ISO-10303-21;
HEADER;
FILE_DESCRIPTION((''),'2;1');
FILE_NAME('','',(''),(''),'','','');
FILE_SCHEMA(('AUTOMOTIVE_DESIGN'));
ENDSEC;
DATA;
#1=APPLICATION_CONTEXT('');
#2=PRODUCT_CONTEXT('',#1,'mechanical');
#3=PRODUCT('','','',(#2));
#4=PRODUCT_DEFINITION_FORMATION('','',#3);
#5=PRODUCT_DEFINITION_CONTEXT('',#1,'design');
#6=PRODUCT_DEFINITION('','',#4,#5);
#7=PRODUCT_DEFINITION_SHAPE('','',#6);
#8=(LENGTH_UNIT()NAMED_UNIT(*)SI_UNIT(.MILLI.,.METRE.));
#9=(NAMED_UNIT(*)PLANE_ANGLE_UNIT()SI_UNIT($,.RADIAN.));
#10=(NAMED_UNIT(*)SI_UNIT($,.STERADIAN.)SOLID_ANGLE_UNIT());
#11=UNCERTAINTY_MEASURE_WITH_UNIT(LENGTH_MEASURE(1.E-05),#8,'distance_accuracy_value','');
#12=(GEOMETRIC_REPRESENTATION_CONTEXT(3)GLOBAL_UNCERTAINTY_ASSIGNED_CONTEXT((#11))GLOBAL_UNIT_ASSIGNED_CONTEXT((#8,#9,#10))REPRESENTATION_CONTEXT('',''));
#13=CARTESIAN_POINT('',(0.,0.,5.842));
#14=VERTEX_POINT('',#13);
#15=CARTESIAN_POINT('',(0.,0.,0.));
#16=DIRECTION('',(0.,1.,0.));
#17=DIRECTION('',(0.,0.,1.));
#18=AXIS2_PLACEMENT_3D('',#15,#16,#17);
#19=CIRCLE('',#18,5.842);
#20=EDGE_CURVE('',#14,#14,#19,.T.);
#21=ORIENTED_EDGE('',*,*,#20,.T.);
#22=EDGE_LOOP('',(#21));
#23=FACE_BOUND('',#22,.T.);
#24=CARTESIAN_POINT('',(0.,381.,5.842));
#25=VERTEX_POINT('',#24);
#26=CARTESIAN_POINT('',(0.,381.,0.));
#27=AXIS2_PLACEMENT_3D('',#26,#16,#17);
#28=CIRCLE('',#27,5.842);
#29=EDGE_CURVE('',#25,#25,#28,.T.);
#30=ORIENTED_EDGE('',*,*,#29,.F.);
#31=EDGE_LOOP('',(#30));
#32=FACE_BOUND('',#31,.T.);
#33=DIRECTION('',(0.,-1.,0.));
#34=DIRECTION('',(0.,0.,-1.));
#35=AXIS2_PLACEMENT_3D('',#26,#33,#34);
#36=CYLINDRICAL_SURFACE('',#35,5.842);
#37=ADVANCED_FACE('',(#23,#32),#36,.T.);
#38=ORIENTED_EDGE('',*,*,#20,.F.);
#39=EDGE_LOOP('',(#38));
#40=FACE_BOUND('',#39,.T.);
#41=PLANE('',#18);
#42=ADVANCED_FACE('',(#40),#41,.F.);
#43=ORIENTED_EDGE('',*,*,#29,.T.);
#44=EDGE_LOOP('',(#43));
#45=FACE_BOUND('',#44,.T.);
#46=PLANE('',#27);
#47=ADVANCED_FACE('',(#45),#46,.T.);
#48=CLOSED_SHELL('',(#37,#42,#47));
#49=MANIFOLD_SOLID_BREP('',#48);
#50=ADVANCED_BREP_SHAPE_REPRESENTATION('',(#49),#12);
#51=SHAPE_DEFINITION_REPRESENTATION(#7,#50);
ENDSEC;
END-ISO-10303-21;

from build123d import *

# Parameters (mm, degrees)
SKETCH1_R           = 5.842
BOSS_EXTRUDE1_DEPTH = 381


with BuildPart() as part:
    # Sketch1 → Boss-Extrude1 (new body)
    with BuildSketch(Plane(origin=(0, 0, 0), x_dir=(1, 0, 0), z_dir=(0, 1, 0))):
        Circle(SKETCH1_R)
    extrude(amount=BOSS_EXTRUDE1_DEPTH)


solid = part.part
